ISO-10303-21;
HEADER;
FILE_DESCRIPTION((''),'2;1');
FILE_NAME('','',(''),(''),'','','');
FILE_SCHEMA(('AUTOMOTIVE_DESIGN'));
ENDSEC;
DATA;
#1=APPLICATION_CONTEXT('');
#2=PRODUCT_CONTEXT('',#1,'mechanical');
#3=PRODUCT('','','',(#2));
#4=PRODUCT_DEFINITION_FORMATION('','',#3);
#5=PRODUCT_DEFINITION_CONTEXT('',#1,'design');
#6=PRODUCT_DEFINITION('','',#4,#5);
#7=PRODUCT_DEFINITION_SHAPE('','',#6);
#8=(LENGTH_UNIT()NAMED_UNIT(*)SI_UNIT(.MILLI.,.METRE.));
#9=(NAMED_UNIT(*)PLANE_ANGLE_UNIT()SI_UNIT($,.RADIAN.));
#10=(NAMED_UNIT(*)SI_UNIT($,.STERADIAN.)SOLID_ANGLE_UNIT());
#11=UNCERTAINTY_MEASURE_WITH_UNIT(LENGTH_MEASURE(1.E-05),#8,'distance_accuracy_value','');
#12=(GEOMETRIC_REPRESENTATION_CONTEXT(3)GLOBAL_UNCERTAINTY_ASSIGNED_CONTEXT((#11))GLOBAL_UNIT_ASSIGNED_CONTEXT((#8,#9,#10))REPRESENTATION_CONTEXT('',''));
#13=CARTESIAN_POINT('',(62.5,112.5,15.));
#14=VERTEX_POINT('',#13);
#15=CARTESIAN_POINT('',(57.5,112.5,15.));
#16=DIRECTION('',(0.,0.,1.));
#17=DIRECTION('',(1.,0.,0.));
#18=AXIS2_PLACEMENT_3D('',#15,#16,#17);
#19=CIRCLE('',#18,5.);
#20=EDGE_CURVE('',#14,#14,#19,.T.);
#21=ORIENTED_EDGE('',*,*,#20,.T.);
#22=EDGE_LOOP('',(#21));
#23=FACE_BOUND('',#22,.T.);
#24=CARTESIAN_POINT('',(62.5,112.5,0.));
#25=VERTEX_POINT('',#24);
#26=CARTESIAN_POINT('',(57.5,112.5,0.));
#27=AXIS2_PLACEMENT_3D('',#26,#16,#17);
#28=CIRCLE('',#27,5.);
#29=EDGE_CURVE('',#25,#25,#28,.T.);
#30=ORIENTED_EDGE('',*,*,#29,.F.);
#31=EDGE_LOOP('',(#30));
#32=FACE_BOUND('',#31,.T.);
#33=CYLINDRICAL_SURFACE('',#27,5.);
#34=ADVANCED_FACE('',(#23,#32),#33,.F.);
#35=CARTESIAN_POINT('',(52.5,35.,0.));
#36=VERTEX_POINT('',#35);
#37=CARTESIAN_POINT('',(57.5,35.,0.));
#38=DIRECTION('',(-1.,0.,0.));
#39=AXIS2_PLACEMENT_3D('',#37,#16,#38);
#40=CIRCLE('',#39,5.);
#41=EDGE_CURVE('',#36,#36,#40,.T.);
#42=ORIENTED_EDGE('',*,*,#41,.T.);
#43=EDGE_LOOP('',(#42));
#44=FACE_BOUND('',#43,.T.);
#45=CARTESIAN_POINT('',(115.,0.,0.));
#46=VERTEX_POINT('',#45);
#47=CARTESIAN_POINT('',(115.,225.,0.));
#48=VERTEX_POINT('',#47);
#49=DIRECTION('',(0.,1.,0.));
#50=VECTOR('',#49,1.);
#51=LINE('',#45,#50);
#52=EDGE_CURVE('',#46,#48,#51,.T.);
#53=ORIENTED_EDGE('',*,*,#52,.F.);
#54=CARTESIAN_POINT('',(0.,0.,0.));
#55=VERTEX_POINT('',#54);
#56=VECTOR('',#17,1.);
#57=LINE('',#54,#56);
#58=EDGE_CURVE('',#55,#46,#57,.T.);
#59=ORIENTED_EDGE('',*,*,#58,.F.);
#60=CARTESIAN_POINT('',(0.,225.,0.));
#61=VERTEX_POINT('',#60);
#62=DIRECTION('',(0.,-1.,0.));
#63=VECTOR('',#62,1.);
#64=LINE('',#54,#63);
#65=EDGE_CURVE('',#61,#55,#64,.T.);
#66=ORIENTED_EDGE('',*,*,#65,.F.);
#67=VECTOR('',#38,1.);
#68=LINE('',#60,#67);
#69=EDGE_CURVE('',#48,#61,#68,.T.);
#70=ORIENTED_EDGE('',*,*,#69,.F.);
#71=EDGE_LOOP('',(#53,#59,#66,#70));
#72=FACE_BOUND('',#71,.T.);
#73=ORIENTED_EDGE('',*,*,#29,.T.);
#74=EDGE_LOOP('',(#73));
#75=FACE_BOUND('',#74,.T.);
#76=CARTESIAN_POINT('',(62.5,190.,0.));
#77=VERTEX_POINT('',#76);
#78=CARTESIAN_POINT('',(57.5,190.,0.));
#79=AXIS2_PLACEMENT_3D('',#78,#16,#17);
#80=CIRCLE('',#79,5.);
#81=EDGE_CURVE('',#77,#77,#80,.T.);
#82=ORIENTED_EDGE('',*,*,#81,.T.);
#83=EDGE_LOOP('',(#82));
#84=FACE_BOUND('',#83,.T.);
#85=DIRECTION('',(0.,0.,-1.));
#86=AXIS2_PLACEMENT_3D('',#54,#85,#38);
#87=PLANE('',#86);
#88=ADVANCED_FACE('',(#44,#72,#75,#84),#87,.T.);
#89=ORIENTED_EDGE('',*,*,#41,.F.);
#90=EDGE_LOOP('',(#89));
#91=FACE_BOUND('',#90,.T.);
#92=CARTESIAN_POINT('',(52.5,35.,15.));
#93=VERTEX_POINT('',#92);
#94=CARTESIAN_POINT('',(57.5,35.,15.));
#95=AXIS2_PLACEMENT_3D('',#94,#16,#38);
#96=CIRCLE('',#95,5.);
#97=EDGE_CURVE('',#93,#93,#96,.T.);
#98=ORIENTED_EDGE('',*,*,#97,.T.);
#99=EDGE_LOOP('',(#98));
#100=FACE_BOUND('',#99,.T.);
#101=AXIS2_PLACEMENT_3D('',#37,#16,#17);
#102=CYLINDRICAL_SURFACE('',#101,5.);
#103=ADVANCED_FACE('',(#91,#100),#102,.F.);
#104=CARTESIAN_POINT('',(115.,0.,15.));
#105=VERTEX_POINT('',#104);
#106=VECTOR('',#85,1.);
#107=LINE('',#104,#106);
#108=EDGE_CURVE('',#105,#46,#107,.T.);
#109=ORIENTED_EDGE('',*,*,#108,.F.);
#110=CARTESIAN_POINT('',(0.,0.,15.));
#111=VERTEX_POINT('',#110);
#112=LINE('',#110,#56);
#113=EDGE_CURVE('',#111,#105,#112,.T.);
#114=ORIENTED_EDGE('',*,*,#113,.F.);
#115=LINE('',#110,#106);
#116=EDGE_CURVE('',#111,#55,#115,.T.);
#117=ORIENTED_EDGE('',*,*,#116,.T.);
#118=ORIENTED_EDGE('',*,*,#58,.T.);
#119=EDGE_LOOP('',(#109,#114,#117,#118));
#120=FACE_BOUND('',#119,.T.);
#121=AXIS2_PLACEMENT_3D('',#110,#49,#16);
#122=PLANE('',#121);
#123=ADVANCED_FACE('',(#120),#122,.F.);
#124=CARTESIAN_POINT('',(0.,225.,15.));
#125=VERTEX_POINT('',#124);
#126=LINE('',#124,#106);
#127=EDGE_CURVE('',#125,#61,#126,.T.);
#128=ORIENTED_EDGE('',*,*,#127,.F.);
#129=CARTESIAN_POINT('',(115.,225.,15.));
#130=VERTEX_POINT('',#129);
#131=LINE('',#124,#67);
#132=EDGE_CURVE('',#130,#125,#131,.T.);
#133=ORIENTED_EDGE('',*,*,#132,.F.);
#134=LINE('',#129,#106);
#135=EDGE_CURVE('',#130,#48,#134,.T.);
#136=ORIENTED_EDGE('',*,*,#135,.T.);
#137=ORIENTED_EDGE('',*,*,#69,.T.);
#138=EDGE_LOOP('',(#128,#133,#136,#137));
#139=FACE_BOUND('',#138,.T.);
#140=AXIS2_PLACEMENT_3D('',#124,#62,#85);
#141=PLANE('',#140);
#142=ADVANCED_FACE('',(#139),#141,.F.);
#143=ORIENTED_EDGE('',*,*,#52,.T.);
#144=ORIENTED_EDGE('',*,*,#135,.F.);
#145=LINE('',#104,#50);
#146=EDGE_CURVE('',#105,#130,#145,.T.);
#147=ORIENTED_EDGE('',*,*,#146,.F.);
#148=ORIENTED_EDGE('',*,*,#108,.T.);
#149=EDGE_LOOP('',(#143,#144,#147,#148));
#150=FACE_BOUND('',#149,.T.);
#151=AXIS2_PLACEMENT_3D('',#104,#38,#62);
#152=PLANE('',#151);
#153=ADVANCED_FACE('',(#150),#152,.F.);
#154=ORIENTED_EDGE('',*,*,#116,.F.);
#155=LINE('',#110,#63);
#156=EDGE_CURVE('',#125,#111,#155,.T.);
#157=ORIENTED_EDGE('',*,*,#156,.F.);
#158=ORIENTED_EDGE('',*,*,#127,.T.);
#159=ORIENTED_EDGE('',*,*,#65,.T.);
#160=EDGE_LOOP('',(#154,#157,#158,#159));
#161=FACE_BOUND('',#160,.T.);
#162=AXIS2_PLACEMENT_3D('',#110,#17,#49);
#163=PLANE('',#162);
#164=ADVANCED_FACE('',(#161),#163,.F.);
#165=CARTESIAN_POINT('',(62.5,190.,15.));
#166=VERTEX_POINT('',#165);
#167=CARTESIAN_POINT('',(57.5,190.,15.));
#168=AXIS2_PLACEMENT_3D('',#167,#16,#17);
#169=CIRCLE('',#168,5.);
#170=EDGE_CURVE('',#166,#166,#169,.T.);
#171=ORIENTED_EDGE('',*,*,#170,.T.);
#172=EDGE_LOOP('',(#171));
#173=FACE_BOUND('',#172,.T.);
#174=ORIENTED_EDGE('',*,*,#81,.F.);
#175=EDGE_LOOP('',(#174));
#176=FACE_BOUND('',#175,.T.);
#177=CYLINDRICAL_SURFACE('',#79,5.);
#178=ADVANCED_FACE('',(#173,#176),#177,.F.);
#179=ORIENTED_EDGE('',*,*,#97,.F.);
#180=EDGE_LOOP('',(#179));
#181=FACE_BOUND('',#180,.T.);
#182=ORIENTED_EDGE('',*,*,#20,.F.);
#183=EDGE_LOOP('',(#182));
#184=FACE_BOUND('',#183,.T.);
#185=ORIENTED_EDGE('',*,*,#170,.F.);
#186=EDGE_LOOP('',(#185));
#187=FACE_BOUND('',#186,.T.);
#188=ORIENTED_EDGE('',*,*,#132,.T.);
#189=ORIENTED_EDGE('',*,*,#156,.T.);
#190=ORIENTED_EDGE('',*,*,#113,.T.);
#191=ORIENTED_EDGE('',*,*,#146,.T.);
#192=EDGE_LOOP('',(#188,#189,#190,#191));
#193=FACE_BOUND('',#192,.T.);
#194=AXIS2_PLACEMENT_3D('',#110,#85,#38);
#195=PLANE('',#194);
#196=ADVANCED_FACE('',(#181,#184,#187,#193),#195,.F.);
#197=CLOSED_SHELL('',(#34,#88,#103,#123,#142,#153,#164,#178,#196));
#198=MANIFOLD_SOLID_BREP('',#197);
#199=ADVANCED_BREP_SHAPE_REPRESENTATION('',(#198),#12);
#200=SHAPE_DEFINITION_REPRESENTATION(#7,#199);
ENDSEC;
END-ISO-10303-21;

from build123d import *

# Parameters (mm, degrees)
ESBO_O1_W                = 115
ESBO_O1_H                = 225
RESSALTO_EXTRUS_O1_DEPTH = 15
ESBO_O2_R                = 5
CORTE_EXTRUS_O1_DEPTH    = 254.130401177


with BuildPart() as part:
    # Esboço1 → Ressalto-extrusão1 (new body)
    with BuildSketch(Plane.XY):
        with Locations((57.5, 112.5)):
            Rectangle(ESBO_O1_W, ESBO_O1_H)
    extrude(amount=RESSALTO_EXTRUS_O1_DEPTH)

    # Esboço2 → Corte-extrusão1 (cut, through all)
    with BuildSketch(Plane.XY.offset(15)):
        with Locations((57.5, 190)):
            Circle(ESBO_O2_R)
        with Locations((57.5, 112.5)):
            Circle(ESBO_O2_R)
        with Locations(Location((57.5, 35, 0), (0, 0, 180))):
            Circle(ESBO_O2_R)
    extrude(amount=-CORTE_EXTRUS_O1_DEPTH, mode=Mode.SUBTRACT)


solid = part.part
